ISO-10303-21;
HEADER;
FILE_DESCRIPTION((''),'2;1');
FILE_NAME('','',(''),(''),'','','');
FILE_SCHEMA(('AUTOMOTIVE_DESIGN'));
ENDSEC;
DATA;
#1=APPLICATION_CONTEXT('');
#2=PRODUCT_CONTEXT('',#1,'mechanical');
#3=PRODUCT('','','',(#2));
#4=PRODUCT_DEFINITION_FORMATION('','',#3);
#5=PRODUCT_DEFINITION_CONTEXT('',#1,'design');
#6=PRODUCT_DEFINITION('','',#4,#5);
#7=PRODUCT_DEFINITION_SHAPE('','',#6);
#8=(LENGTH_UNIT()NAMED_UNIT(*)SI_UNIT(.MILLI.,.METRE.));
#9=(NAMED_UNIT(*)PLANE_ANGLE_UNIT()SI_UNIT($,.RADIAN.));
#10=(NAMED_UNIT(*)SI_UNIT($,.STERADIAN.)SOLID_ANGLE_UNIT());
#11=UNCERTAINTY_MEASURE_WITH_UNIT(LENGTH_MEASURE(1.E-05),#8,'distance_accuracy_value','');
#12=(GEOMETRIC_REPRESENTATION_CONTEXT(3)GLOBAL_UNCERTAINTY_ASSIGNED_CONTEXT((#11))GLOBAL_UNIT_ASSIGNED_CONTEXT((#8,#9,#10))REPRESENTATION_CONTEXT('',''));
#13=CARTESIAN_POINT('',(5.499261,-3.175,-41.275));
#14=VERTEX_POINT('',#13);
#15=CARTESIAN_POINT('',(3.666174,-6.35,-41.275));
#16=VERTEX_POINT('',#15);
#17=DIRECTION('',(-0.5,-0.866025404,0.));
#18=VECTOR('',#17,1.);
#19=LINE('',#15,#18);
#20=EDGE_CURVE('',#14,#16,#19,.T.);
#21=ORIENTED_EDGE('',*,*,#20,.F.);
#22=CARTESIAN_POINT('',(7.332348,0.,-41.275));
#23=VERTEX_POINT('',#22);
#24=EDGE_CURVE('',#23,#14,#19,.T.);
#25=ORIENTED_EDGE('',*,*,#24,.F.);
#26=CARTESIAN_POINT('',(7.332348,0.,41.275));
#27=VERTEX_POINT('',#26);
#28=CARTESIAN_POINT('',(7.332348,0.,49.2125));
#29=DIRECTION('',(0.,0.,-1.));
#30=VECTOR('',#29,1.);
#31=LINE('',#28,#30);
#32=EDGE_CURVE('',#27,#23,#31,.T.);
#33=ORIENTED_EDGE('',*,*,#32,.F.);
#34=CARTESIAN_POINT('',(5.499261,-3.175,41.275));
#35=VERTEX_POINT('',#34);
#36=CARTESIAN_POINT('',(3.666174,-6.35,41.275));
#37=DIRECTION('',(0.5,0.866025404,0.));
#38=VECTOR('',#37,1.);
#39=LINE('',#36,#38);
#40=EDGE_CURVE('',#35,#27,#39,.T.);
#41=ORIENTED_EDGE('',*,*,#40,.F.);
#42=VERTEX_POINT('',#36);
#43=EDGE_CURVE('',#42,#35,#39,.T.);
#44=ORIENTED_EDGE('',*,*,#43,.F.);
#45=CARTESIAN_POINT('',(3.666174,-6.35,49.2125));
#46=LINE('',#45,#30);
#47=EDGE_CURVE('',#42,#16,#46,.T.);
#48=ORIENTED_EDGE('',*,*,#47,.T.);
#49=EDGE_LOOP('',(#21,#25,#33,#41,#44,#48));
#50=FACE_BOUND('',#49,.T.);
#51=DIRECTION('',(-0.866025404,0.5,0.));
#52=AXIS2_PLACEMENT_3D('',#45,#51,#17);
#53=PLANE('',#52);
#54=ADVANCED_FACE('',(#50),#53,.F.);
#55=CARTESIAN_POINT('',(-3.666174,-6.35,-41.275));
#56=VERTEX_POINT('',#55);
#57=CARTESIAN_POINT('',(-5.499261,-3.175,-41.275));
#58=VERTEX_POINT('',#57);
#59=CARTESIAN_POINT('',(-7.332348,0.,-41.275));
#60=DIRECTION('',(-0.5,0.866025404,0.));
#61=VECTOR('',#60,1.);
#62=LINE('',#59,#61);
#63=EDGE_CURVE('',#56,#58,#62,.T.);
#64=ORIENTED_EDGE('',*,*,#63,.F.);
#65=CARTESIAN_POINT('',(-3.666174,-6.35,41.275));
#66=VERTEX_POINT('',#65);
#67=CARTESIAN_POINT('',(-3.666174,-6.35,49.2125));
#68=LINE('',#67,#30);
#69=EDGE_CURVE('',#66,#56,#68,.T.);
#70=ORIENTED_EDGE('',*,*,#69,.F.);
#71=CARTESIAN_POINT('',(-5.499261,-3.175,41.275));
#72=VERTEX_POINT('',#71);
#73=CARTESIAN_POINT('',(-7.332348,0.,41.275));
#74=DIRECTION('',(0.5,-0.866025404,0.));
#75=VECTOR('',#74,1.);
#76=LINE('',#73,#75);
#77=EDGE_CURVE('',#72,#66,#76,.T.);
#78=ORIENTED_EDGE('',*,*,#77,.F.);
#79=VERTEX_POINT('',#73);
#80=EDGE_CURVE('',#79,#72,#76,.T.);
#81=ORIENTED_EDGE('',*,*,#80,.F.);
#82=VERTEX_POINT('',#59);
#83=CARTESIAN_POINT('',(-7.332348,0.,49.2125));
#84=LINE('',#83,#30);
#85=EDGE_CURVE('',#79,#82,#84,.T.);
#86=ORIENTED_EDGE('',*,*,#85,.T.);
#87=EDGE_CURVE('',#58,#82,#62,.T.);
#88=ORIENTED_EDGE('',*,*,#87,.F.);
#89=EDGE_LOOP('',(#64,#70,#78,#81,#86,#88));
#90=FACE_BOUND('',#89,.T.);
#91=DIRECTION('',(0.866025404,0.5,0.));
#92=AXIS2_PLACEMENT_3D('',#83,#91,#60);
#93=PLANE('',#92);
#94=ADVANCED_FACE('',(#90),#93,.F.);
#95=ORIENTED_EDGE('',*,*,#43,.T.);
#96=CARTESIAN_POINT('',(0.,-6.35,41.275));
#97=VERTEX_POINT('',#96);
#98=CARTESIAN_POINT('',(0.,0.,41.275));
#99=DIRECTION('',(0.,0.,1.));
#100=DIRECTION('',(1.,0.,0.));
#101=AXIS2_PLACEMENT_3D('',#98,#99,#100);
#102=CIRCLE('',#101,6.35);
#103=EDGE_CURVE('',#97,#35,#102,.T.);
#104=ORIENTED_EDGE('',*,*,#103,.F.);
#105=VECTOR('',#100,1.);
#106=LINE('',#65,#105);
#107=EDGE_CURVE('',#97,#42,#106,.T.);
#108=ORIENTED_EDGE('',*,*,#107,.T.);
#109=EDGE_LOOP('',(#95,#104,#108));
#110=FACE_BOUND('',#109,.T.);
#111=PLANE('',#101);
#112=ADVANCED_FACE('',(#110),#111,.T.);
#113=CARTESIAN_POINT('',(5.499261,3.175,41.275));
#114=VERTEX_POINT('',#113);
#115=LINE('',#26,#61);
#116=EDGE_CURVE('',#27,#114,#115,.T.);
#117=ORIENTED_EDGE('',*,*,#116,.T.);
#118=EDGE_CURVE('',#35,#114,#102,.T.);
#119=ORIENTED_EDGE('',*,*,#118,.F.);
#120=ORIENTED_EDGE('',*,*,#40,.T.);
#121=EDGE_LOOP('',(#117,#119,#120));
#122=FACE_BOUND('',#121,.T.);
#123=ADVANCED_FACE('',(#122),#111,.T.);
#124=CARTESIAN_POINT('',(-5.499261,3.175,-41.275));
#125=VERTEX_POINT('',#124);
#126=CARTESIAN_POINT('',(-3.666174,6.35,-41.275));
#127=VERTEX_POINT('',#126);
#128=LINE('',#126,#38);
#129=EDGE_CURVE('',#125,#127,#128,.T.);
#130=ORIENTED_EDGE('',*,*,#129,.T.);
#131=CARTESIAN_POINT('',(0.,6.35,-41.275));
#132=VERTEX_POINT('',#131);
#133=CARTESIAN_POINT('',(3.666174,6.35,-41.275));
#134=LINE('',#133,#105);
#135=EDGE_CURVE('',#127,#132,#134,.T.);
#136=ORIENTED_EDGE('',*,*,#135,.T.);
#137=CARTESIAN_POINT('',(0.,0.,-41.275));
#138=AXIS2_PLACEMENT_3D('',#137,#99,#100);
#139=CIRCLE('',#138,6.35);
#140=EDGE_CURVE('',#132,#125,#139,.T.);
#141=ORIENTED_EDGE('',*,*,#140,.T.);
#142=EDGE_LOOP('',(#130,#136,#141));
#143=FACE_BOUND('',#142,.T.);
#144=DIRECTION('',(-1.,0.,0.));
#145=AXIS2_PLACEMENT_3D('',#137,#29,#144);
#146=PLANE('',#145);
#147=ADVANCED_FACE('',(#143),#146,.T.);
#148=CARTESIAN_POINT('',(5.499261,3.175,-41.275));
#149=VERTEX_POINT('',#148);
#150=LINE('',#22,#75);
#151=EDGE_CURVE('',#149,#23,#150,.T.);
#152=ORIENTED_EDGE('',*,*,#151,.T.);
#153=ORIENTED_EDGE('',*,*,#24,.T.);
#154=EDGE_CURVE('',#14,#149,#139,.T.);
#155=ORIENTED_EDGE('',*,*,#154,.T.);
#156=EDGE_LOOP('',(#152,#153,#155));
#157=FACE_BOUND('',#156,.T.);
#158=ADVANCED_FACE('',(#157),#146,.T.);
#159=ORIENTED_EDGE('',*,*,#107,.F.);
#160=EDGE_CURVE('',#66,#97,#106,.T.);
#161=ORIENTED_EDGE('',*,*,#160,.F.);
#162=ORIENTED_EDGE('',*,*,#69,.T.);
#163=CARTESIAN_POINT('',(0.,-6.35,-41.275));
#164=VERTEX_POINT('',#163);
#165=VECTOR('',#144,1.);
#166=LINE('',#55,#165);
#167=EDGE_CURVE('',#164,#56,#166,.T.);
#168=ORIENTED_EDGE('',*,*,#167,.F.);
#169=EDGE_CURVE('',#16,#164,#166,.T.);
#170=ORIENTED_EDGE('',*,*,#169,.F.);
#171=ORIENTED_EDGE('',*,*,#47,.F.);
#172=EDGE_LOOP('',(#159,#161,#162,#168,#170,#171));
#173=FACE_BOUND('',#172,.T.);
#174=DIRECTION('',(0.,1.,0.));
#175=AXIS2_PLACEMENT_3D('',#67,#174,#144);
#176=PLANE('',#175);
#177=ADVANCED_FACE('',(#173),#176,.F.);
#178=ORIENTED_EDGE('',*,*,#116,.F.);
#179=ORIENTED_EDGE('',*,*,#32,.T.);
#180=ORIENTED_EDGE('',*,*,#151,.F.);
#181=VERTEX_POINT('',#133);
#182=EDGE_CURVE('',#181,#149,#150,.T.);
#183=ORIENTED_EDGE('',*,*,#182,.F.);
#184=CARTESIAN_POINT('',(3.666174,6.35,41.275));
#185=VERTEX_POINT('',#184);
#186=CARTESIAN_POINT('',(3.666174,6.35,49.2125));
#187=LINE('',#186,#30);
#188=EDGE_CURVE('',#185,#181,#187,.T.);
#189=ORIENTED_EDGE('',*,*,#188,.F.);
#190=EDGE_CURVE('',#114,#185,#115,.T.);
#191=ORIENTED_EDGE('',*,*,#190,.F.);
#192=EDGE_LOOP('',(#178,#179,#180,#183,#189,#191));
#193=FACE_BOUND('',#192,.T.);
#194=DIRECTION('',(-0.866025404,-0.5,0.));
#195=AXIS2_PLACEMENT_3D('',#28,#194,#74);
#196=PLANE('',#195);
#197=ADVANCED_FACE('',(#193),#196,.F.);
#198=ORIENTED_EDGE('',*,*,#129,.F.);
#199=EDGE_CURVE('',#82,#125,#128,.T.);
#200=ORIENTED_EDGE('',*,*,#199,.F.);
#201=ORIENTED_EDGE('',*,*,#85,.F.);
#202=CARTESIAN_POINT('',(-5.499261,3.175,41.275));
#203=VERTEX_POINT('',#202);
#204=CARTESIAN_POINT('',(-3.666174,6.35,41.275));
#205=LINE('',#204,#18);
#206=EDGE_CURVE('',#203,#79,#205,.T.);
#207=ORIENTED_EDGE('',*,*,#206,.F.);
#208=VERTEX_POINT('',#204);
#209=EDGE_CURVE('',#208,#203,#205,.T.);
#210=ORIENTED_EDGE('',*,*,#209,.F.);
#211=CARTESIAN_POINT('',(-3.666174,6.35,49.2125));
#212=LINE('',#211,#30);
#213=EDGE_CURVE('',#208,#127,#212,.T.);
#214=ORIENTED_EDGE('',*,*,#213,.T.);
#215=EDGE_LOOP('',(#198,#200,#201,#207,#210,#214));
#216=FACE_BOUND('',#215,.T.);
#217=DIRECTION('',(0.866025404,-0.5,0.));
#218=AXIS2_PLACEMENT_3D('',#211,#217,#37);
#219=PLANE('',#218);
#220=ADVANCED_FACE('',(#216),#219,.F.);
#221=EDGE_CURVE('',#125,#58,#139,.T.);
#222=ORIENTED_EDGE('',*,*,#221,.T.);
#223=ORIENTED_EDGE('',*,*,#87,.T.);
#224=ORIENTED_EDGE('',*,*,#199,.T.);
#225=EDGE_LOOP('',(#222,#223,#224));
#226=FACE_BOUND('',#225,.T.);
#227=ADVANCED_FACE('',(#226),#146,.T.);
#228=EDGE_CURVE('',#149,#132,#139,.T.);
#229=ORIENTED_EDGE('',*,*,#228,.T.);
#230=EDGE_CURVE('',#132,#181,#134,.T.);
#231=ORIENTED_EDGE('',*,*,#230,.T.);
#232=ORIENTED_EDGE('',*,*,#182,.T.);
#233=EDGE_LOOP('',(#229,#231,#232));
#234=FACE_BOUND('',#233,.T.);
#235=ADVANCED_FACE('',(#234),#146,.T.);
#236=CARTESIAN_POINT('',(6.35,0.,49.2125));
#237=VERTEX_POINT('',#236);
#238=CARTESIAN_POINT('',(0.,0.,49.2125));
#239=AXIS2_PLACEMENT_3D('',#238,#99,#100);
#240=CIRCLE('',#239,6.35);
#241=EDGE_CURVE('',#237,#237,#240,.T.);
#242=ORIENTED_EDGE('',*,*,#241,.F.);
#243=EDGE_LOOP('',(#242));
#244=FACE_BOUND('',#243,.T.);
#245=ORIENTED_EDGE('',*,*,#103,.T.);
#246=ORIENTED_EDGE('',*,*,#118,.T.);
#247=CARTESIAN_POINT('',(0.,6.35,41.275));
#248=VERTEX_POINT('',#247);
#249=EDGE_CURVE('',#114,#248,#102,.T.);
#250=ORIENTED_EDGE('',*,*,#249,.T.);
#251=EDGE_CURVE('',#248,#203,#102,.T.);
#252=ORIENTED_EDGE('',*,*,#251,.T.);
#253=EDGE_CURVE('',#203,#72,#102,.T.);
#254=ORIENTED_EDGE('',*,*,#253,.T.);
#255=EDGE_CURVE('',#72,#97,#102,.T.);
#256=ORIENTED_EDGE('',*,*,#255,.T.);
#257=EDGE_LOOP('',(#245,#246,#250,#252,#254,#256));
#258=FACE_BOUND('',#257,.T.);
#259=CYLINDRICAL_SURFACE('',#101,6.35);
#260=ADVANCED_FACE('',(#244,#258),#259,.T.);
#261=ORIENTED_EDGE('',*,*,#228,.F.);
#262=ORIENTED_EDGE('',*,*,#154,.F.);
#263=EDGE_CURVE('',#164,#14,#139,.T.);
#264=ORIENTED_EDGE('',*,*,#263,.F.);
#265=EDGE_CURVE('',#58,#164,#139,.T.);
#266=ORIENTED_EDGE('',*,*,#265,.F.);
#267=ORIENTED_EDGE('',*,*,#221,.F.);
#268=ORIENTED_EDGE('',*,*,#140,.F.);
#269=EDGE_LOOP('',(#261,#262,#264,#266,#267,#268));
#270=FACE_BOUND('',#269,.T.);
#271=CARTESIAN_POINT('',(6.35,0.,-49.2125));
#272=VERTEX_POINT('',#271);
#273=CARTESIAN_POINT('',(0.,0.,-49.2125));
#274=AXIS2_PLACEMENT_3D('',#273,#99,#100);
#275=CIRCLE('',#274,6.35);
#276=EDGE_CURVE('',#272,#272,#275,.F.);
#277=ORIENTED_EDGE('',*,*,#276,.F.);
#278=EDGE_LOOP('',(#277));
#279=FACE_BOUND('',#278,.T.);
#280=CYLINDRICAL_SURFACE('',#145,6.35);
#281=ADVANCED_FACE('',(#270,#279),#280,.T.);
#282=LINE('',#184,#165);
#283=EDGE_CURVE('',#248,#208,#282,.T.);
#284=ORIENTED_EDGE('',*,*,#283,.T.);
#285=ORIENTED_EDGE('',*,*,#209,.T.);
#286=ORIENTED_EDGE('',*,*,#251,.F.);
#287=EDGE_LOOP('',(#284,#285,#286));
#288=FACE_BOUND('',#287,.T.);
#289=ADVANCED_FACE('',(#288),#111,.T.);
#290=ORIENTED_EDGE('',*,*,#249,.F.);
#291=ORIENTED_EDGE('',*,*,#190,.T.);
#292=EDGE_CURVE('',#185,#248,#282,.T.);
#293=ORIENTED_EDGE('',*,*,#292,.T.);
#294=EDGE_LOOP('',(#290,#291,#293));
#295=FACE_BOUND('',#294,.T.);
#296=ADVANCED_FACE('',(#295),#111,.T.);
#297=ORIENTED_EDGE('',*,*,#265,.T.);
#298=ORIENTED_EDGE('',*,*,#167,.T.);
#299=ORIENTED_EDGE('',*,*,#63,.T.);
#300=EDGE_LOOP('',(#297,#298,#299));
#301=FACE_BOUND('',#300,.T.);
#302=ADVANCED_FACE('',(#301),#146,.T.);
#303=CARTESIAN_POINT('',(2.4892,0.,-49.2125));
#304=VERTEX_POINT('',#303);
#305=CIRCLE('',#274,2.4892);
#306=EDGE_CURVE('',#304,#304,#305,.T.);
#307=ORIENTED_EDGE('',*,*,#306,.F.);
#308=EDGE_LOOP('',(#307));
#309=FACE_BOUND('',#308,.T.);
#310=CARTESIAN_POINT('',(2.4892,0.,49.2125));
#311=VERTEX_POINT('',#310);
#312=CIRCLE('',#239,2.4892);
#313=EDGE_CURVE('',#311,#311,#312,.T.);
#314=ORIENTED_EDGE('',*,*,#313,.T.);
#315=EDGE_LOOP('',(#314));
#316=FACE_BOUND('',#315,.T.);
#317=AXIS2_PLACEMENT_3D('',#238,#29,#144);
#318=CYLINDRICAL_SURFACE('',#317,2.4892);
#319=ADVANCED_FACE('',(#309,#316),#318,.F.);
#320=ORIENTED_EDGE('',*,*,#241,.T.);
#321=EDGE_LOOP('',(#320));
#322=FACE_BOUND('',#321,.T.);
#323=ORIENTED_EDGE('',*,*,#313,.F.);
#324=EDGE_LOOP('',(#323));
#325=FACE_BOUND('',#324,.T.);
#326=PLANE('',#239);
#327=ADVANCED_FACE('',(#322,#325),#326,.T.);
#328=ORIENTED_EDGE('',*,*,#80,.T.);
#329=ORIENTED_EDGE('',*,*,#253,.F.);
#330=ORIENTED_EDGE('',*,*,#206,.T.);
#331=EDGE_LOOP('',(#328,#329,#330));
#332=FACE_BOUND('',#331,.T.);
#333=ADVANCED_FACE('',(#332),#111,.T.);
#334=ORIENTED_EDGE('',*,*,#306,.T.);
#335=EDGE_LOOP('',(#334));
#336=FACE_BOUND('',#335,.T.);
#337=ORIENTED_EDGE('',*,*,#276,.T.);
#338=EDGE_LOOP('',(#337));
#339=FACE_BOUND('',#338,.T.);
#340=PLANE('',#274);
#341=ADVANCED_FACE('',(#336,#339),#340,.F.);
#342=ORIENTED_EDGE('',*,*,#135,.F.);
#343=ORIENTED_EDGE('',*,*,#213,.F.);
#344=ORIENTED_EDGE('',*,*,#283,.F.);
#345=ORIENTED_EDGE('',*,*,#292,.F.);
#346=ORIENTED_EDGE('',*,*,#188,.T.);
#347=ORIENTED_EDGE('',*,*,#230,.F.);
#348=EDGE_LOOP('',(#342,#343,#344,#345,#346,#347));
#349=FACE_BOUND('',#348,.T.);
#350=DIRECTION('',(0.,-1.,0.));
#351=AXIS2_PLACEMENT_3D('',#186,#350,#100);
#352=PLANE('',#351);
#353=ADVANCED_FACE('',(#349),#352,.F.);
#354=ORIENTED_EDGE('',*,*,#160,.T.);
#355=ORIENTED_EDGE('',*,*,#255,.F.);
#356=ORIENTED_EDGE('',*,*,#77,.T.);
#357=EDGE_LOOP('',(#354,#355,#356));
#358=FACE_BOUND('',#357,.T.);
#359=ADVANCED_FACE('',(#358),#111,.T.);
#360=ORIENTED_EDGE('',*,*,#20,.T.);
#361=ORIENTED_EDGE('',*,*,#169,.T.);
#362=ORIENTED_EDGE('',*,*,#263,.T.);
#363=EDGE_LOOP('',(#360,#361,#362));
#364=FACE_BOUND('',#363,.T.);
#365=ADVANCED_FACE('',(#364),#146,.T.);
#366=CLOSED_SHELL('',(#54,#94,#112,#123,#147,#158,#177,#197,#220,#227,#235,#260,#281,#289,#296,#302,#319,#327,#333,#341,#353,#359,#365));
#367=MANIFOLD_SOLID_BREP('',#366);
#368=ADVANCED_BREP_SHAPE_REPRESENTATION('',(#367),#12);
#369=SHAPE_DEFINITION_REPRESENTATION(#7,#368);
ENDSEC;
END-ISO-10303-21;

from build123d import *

# Parameters (mm, degrees)
SKETCH1_R           = 2.4892
BOSS_EXTRUDE1_DEPTH = 49.2125
SKETCH2_OUTSIDE_W   = 36.728
SKETCH2_OUTSIDE_H   = 34.764
SKETCH2_OUTSIDE_R   = 6.35
CUT_EXTRUDE1_DEPTH  = 7.9375


with BuildPart() as part:
    # Sketch1 → Boss-Extrude1 (new, symmetric)
    with BuildSketch(Plane.XY):
        Polygon((3.666174209, 6.35), (-3.666174209, 6.35), (-7.332348419, 0), (-3.666174209, -6.35), (3.666174209, -6.35), (7.332348419, 0), align=None)
        Circle(SKETCH1_R, mode=Mode.SUBTRACT)
    extrude(amount=BOSS_EXTRUDE1_DEPTH, both=True)

    # Sketch2 outside → Cut-Extrude1 (cut)
    with BuildSketch(Plane.XY.offset(49.2125)):
        Rectangle(SKETCH2_OUTSIDE_W, SKETCH2_OUTSIDE_H)
        Circle(SKETCH2_OUTSIDE_R, mode=Mode.SUBTRACT)
    cut_extrude1 = extrude(amount=-CUT_EXTRUDE1_DEPTH, mode=Mode.SUBTRACT)

    # Mirror1: Cut-Extrude1 across plane
    add(cut_extrude1.mirror(Plane.XY), mode=Mode.SUBTRACT)


solid = part.part
